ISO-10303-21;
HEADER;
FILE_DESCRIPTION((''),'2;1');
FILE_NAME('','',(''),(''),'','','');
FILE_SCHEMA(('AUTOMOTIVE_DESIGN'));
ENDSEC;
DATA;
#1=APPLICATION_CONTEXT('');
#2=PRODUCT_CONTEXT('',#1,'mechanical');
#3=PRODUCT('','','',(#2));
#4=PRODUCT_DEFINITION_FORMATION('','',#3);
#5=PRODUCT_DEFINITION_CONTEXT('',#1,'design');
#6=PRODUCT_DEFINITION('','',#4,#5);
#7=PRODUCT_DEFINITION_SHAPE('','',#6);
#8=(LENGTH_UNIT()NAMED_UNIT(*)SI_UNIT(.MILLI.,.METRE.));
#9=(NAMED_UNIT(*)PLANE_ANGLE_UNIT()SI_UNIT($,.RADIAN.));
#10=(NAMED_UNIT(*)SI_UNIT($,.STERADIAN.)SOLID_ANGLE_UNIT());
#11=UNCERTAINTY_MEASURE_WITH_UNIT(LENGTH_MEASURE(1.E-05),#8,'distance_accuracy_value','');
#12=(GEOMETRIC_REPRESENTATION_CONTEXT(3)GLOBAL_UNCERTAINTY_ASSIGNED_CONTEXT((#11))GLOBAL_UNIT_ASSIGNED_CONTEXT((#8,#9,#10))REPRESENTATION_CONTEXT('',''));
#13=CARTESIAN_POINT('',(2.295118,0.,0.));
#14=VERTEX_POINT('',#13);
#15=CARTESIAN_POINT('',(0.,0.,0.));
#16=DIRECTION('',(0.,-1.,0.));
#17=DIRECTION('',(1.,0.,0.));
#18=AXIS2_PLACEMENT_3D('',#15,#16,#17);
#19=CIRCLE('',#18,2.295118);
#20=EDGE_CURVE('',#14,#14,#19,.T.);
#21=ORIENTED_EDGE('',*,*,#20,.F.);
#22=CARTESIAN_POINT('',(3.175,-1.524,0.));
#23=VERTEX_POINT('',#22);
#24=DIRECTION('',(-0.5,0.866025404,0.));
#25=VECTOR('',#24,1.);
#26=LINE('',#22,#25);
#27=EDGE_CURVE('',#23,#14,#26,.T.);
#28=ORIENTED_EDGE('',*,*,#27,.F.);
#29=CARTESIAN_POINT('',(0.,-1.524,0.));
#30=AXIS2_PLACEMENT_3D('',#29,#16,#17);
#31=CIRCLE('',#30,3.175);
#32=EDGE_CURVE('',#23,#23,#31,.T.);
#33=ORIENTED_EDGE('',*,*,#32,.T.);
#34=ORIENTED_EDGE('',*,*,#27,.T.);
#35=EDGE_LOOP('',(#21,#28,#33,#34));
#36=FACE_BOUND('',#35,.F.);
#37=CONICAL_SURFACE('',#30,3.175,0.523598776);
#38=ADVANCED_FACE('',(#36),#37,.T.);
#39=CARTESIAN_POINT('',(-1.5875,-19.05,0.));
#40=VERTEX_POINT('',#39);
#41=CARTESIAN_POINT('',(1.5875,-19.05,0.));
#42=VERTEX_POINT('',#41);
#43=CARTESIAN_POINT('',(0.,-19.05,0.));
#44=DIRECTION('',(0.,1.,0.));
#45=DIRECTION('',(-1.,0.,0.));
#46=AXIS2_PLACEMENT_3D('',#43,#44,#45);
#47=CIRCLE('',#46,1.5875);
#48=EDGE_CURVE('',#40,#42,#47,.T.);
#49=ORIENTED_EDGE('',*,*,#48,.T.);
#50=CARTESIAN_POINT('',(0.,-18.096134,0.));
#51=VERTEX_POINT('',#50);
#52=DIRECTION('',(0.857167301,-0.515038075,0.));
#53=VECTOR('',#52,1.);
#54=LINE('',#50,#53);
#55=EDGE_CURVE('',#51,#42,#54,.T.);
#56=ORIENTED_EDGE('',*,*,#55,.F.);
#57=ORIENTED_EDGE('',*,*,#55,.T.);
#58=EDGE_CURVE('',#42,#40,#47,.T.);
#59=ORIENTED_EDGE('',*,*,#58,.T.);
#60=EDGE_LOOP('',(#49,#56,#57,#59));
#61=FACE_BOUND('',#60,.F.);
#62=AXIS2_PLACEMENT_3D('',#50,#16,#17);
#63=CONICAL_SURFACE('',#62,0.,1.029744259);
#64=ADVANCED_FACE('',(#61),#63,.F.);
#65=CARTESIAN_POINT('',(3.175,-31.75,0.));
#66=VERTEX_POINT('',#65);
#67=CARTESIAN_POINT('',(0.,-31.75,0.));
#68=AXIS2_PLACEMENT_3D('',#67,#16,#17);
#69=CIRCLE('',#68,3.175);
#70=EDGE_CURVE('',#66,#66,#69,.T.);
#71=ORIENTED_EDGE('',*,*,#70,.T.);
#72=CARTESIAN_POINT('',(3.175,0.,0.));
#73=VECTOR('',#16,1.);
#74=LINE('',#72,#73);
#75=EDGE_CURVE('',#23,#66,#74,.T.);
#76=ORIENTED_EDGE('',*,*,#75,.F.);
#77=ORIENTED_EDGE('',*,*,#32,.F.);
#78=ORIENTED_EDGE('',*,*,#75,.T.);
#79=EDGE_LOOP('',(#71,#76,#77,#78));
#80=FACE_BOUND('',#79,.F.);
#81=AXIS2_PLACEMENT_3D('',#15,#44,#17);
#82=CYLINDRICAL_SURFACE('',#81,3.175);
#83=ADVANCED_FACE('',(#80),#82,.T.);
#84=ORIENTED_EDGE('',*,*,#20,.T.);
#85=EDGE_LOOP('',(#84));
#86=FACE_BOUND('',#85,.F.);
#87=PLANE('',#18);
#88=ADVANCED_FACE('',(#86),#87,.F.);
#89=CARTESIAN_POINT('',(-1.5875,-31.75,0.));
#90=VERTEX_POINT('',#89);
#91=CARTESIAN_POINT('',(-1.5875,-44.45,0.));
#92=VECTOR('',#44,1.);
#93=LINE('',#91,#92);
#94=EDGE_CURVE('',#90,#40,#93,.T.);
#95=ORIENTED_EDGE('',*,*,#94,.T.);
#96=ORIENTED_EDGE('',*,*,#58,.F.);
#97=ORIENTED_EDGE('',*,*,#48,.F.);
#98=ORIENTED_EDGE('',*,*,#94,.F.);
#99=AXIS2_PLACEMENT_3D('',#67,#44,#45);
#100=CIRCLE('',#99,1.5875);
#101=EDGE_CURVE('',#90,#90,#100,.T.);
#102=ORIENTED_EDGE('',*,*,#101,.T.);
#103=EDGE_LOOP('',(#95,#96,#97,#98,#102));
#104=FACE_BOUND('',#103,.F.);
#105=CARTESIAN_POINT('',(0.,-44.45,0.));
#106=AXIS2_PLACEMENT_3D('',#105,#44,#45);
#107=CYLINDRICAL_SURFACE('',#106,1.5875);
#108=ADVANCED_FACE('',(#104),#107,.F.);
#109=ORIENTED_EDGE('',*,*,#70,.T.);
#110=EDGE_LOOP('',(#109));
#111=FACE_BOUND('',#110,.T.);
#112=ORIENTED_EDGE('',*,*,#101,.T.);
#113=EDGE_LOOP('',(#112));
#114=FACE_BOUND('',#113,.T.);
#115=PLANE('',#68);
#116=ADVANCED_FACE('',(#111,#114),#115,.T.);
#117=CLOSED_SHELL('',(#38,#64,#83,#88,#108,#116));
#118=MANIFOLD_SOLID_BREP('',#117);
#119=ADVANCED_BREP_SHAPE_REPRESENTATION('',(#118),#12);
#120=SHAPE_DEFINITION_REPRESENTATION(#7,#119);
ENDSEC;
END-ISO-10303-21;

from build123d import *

# Parameters (mm, degrees)
F0_R     = 3.175
F1_DEPTH = 31.75
F3_D     = 3.175
F3_DEPTH = 12.7
F3_TIP   = 0.9538662327
F4_SIZE2 = 0.8798818102
F4_SIZE  = 1.524


with BuildPart() as f1:
    # F0 (on Front) → F1 (new body)
    with BuildSketch(Plane.XZ):
        Circle(F0_R)
    extrude(amount=F1_DEPTH)

    # F3
    with Locations(Plane.XZ.offset(31.75)):
        with Locations((0, 0)):
            Hole(F3_D / 2, depth=F3_DEPTH)
            with Locations((0, 0, -(F3_DEPTH + F3_TIP / 2))):  # 118° drill point
                Cone(0, F3_D / 2, F3_TIP, mode=Mode.SUBTRACT)

    # F4
    f4_edges = [f1.edges().sort_by_distance(p)[0] for p in [
        (-3.175, 0, 0),
    ]]
    f4_side = f1.faces().sort_by_distance((-3.175, -15.875, 0))[0]
    chamfer(f4_edges, length=F4_SIZE, length2=F4_SIZE2, reference=f4_side)


solid = f1.part
